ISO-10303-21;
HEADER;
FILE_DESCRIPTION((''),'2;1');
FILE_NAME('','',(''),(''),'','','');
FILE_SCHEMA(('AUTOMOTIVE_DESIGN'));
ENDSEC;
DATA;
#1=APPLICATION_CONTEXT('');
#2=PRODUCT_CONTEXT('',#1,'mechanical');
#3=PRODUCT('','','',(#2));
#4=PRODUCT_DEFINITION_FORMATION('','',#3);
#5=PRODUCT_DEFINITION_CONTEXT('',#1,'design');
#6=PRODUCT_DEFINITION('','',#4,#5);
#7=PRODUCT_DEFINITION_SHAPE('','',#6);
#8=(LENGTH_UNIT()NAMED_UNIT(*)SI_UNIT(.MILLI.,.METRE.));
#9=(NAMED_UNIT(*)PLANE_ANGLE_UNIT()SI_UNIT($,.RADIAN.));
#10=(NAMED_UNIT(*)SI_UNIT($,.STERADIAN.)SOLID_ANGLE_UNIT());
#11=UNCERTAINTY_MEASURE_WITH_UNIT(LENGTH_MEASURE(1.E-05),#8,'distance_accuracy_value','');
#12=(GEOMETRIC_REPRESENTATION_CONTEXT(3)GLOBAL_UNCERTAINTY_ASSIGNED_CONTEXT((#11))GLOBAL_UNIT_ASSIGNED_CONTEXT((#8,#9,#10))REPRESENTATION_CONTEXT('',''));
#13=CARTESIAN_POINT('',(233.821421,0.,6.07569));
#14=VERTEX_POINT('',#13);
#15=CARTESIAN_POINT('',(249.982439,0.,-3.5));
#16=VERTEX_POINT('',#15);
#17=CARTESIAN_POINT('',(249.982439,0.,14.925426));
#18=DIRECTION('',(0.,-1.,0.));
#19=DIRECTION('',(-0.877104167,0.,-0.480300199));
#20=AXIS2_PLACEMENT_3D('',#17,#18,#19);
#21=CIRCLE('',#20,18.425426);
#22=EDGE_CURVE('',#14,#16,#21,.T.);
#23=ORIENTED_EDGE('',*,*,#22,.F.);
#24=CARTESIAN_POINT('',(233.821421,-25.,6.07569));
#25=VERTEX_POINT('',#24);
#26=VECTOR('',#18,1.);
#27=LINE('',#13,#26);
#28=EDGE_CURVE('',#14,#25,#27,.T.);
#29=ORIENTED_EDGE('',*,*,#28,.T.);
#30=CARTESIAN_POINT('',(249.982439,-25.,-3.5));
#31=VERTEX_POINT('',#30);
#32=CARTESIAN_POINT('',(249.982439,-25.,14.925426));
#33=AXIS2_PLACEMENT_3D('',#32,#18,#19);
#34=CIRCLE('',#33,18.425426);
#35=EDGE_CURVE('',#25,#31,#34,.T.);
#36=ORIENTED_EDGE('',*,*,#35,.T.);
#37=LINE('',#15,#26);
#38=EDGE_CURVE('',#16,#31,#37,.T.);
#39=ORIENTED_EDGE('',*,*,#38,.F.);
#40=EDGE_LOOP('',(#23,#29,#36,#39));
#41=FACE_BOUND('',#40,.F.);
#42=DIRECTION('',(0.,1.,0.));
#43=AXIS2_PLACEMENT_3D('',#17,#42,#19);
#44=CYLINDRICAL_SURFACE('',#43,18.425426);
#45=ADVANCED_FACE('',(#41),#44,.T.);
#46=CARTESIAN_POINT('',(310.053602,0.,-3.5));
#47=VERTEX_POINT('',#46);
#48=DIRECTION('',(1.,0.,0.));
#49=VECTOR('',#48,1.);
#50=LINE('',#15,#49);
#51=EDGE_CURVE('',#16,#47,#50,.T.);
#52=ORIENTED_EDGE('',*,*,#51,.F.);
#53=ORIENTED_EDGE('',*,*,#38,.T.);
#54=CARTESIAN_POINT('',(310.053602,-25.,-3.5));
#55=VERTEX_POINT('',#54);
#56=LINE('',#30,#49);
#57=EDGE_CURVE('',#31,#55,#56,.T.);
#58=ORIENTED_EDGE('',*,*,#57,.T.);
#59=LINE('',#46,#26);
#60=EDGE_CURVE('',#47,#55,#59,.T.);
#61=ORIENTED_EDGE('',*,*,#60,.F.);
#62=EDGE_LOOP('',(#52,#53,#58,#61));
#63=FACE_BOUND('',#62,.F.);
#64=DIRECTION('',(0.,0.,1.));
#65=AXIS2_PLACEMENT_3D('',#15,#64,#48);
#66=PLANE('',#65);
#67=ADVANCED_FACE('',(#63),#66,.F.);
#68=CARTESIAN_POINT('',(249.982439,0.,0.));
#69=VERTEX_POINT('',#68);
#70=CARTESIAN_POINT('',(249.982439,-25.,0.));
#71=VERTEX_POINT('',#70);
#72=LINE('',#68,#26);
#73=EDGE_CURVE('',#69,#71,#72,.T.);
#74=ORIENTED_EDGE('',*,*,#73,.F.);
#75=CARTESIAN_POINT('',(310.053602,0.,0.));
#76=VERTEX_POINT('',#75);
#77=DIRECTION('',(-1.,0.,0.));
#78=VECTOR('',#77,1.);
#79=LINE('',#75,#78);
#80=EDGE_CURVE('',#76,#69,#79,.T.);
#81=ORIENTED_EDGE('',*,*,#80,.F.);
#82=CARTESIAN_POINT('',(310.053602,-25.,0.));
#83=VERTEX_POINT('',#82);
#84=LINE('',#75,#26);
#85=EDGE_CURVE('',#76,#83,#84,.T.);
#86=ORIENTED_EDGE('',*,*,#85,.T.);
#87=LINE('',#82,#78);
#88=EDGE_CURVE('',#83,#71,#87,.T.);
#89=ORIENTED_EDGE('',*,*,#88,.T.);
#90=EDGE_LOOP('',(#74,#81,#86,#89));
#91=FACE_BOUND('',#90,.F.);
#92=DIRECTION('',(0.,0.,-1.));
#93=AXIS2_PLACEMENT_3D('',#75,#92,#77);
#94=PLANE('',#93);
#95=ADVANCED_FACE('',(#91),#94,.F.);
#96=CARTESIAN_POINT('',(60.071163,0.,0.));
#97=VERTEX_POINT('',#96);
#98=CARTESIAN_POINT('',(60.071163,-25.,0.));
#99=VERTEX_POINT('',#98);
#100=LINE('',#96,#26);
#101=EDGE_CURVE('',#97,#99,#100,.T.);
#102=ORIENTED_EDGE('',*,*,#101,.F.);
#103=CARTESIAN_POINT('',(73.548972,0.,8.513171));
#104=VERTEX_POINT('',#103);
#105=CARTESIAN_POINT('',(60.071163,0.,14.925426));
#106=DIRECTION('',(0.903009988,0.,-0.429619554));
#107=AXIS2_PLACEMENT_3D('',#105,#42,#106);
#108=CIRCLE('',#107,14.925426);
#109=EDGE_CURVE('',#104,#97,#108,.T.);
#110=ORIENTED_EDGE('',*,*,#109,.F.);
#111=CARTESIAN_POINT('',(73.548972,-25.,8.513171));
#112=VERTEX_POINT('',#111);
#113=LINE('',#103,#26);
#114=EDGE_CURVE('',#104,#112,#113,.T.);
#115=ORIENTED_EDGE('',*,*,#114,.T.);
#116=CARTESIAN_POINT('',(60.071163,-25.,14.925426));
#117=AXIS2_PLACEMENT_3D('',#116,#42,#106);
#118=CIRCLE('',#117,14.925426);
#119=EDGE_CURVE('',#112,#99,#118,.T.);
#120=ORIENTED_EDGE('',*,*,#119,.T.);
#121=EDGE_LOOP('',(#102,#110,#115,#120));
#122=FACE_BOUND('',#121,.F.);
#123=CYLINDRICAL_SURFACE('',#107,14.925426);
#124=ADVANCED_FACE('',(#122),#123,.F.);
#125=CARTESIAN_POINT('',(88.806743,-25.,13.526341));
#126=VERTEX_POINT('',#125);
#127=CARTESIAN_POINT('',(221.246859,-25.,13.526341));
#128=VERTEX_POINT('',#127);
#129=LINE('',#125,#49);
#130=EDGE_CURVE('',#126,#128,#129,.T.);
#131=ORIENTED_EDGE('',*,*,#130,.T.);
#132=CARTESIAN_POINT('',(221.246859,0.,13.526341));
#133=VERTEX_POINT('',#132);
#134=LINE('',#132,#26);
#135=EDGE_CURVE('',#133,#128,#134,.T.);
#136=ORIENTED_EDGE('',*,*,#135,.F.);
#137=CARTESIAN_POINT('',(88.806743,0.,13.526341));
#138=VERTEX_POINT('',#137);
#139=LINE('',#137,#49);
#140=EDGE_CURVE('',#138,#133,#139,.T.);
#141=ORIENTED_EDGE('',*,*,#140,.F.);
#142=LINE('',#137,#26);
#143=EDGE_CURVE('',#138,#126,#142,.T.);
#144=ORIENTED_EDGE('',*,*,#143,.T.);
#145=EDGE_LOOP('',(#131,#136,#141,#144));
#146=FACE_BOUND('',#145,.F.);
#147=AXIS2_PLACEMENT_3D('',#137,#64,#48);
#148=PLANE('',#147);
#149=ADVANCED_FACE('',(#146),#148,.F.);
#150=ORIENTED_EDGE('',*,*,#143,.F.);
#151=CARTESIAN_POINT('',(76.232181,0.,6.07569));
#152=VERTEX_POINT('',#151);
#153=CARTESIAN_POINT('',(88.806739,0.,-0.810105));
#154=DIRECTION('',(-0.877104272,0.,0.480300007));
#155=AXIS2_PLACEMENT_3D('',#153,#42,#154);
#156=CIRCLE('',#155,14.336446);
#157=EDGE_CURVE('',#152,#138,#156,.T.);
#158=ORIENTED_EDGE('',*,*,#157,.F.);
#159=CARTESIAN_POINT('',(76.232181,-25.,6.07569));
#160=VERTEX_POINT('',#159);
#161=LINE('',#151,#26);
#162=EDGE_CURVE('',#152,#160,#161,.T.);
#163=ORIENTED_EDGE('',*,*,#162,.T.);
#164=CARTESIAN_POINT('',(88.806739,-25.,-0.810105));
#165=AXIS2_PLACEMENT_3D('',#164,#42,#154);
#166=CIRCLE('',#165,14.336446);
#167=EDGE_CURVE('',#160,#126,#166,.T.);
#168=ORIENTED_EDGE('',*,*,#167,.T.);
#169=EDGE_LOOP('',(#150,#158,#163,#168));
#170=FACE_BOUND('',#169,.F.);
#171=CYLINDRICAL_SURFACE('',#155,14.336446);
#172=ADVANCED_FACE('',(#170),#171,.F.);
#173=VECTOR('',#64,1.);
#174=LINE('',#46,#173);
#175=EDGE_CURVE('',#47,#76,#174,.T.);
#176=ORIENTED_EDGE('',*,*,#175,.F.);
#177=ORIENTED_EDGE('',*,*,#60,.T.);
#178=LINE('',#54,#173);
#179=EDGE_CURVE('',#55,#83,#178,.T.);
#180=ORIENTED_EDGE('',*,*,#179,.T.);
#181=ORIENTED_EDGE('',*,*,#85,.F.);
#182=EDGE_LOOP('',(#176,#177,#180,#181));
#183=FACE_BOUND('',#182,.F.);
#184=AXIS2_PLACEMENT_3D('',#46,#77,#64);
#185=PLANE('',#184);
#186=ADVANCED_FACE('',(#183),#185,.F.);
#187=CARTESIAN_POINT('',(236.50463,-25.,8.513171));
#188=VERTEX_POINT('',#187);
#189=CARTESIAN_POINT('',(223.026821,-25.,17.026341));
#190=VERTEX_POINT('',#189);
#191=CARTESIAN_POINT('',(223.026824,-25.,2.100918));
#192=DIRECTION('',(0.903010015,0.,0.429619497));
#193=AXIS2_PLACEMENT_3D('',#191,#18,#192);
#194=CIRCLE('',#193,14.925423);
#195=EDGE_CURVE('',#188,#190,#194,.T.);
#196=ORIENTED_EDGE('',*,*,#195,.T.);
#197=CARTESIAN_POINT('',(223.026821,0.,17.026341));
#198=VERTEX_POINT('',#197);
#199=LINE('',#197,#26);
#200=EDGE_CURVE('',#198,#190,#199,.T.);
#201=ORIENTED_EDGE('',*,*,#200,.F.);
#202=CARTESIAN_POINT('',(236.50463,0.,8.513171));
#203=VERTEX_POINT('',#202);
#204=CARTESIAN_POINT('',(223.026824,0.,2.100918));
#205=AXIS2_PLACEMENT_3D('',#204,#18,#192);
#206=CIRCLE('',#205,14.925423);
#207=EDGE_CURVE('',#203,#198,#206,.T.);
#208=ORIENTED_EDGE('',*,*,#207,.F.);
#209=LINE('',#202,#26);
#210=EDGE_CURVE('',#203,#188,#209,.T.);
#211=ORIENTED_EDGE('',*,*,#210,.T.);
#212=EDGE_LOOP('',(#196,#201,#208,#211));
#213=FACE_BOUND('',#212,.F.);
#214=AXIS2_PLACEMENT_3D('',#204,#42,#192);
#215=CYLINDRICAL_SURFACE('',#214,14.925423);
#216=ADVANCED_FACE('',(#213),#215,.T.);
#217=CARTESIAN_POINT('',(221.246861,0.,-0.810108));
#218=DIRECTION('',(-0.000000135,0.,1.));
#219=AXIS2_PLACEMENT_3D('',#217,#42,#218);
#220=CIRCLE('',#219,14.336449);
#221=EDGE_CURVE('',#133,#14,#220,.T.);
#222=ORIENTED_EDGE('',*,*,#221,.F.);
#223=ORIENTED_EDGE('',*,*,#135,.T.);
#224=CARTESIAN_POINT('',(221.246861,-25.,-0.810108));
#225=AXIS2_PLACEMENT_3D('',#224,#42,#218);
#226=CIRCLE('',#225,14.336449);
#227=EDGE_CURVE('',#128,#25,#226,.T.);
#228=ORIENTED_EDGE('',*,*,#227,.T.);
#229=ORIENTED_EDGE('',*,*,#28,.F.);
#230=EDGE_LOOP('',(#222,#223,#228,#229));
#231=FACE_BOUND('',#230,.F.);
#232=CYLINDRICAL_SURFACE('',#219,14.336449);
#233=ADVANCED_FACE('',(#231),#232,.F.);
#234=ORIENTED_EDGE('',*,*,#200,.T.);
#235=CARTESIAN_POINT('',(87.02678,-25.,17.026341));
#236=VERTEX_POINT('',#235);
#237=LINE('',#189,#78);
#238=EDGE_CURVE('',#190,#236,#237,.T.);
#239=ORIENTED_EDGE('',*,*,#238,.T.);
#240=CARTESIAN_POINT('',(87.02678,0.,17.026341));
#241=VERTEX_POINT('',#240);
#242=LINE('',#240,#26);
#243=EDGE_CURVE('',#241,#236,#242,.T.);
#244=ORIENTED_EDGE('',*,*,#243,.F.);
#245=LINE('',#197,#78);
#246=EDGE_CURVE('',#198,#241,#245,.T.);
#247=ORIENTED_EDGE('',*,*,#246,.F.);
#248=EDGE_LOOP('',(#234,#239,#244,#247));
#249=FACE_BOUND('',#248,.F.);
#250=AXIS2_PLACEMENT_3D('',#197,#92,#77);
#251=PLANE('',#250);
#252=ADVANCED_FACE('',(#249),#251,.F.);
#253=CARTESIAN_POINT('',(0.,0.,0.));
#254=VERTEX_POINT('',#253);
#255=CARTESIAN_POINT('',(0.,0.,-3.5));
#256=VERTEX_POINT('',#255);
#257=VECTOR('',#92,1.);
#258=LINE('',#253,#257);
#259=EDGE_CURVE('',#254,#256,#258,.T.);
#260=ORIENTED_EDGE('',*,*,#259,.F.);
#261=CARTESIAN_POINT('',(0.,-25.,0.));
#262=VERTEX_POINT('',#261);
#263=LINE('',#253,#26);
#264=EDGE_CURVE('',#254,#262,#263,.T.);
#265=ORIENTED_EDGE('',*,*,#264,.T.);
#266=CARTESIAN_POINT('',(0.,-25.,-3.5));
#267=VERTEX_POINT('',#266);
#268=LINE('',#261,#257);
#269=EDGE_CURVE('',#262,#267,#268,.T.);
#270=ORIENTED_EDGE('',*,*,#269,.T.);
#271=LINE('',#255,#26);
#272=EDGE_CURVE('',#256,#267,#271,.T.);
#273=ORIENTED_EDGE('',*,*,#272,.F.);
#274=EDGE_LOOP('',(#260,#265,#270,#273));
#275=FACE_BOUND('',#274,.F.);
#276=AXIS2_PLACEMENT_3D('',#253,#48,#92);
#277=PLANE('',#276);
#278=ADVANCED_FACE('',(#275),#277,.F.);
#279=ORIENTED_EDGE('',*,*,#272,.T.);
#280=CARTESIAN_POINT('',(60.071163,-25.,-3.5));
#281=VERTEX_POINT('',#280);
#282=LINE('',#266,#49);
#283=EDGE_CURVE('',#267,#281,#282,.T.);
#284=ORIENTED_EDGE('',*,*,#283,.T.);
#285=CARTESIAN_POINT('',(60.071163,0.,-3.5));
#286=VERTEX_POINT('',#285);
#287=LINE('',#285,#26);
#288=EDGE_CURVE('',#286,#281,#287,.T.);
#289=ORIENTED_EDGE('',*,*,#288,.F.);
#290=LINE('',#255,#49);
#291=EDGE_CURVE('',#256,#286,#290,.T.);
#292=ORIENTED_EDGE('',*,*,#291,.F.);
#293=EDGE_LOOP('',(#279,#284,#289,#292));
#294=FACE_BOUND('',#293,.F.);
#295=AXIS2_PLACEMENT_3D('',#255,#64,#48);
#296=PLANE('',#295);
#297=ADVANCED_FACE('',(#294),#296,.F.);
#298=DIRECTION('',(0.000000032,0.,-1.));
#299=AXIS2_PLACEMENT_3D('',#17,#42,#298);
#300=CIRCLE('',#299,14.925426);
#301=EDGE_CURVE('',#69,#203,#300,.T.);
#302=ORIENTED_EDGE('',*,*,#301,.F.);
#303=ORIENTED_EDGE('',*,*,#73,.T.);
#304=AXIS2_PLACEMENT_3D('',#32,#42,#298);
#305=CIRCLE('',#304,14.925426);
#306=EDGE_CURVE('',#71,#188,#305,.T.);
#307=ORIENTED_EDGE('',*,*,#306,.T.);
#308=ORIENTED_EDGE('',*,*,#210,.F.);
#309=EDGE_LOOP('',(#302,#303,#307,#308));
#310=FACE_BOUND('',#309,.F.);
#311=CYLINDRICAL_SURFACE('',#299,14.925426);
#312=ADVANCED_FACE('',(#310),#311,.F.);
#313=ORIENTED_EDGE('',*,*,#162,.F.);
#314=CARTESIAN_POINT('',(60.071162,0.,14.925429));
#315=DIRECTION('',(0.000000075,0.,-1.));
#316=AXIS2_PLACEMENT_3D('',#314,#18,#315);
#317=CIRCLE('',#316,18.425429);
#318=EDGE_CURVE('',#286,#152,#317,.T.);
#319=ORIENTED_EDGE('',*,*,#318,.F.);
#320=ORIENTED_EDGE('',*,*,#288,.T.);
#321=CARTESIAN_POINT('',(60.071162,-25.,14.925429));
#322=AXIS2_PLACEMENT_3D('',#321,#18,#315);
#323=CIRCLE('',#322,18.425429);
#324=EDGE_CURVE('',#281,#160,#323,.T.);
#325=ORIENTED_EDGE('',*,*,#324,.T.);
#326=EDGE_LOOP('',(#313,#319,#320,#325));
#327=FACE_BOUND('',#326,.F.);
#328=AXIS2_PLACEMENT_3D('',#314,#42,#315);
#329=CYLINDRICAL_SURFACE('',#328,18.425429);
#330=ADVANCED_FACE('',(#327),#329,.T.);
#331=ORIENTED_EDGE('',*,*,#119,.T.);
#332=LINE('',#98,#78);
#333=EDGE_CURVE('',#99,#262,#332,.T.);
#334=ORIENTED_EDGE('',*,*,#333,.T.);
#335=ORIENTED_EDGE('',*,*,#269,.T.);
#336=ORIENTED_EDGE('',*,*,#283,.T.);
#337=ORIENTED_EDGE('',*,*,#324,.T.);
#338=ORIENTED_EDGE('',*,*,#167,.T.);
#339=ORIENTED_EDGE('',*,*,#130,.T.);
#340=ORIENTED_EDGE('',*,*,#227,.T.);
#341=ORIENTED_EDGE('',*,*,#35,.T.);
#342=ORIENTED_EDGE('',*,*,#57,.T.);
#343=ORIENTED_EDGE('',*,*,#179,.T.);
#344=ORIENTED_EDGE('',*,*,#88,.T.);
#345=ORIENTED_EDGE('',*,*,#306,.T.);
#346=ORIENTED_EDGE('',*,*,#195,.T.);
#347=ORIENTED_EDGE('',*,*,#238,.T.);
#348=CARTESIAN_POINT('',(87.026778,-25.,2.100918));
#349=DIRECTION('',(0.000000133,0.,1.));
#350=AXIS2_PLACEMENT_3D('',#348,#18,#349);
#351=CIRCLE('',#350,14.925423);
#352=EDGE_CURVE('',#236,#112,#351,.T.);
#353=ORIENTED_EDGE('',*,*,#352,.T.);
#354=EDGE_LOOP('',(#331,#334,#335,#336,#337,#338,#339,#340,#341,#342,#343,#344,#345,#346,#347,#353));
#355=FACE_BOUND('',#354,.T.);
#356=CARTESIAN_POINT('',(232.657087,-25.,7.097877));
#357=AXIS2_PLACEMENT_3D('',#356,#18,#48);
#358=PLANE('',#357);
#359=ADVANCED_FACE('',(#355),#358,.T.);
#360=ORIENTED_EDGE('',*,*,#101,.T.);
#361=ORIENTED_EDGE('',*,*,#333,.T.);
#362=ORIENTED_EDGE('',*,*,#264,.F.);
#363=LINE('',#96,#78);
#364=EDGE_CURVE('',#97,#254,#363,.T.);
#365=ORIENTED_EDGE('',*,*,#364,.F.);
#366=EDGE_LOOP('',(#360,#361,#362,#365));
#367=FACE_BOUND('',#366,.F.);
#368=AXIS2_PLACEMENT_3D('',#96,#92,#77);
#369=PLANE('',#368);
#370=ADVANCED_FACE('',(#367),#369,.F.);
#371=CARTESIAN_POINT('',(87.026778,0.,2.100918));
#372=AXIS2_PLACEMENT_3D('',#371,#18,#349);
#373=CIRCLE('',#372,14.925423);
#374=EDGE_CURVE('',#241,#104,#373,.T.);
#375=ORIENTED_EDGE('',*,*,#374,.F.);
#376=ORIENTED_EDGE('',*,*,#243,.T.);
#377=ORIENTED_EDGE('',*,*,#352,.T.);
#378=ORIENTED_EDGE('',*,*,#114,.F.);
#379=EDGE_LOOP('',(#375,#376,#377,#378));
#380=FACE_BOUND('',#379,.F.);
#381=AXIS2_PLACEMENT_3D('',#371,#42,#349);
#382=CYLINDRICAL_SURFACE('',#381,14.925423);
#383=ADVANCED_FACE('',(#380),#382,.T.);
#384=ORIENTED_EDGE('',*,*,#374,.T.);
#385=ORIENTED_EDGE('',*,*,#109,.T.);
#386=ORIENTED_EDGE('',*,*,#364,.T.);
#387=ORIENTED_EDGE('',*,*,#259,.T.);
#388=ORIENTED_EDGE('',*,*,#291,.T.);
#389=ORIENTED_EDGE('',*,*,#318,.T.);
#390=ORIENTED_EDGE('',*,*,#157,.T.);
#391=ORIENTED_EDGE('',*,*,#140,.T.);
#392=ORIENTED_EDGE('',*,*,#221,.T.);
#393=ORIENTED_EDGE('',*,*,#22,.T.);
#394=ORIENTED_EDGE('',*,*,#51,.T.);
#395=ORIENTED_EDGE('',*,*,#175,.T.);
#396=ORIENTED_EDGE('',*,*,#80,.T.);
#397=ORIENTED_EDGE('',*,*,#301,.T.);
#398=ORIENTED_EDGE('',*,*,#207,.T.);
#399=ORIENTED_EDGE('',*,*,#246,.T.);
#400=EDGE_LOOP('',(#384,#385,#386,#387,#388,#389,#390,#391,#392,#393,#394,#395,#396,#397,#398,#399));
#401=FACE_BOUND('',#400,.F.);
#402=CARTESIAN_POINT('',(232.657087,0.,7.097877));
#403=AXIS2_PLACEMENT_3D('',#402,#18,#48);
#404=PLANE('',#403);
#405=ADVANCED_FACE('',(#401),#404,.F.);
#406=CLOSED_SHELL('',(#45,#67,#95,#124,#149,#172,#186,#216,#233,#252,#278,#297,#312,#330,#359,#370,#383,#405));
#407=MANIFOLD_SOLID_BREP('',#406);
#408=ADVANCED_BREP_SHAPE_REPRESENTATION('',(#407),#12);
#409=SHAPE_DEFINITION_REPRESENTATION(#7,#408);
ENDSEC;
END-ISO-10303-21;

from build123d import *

# Parameters (mm, degrees)
F1_DEPTH = 25


with BuildPart() as f1:
    # F0 (on Front) → F1 (new body)
    with BuildSketch(Plane.XZ):
        with BuildLine():
            Line((223.026821, 17.026341), (155.026801, 17.026341))
            Line((155.026801, 17.026341), (155.026801, 13.526341))
            Line((155.026801, 13.526341), (221.246859, 13.526341))
            ThreePointArc((221.246859, 13.526341), (228.554933, 11.523823), (233.821421, 6.07569))
            ThreePointArc((233.821421, 6.07569), (240.58999, -0.926332), (249.982439, -3.5))
            Line((249.982439, -3.5), (310.053602, -3.5))
            Line((310.053602, -3.5), (310.053602, 0))
            Line((310.053602, 0), (249.982439, 0))
            ThreePointArc((249.982439, 0), (242.011783, 2.306512), (236.50463, 8.513171))
            ThreePointArc((236.50463, 8.513171), (230.997477, 14.71983), (223.026821, 17.026341))
        make_face()
        with BuildLine():
            Line((60.071163, 0), (0, 0))
            Line((0, 0), (0, -3.5))
            Line((0, -3.5), (60.071163, -3.5))
            ThreePointArc((60.071163, -3.5), (69.463611, -0.926332), (76.232181, 6.07569))
            ThreePointArc((76.232181, 6.07569), (81.498668, 11.523823), (88.806743, 13.526341))
            Line((88.806743, 13.526341), (155.026801, 13.526341))
            Line((155.026801, 13.526341), (155.026801, 17.026341))
            Line((155.026801, 17.026341), (87.02678, 17.026341))
            ThreePointArc((87.02678, 17.026341), (79.056125, 14.71983), (73.548972, 8.513171))
            ThreePointArc((73.548972, 8.513171), (68.041819, 2.306512), (60.071163, 0))
        make_face()
    extrude(amount=F1_DEPTH)


solid = f1.part
